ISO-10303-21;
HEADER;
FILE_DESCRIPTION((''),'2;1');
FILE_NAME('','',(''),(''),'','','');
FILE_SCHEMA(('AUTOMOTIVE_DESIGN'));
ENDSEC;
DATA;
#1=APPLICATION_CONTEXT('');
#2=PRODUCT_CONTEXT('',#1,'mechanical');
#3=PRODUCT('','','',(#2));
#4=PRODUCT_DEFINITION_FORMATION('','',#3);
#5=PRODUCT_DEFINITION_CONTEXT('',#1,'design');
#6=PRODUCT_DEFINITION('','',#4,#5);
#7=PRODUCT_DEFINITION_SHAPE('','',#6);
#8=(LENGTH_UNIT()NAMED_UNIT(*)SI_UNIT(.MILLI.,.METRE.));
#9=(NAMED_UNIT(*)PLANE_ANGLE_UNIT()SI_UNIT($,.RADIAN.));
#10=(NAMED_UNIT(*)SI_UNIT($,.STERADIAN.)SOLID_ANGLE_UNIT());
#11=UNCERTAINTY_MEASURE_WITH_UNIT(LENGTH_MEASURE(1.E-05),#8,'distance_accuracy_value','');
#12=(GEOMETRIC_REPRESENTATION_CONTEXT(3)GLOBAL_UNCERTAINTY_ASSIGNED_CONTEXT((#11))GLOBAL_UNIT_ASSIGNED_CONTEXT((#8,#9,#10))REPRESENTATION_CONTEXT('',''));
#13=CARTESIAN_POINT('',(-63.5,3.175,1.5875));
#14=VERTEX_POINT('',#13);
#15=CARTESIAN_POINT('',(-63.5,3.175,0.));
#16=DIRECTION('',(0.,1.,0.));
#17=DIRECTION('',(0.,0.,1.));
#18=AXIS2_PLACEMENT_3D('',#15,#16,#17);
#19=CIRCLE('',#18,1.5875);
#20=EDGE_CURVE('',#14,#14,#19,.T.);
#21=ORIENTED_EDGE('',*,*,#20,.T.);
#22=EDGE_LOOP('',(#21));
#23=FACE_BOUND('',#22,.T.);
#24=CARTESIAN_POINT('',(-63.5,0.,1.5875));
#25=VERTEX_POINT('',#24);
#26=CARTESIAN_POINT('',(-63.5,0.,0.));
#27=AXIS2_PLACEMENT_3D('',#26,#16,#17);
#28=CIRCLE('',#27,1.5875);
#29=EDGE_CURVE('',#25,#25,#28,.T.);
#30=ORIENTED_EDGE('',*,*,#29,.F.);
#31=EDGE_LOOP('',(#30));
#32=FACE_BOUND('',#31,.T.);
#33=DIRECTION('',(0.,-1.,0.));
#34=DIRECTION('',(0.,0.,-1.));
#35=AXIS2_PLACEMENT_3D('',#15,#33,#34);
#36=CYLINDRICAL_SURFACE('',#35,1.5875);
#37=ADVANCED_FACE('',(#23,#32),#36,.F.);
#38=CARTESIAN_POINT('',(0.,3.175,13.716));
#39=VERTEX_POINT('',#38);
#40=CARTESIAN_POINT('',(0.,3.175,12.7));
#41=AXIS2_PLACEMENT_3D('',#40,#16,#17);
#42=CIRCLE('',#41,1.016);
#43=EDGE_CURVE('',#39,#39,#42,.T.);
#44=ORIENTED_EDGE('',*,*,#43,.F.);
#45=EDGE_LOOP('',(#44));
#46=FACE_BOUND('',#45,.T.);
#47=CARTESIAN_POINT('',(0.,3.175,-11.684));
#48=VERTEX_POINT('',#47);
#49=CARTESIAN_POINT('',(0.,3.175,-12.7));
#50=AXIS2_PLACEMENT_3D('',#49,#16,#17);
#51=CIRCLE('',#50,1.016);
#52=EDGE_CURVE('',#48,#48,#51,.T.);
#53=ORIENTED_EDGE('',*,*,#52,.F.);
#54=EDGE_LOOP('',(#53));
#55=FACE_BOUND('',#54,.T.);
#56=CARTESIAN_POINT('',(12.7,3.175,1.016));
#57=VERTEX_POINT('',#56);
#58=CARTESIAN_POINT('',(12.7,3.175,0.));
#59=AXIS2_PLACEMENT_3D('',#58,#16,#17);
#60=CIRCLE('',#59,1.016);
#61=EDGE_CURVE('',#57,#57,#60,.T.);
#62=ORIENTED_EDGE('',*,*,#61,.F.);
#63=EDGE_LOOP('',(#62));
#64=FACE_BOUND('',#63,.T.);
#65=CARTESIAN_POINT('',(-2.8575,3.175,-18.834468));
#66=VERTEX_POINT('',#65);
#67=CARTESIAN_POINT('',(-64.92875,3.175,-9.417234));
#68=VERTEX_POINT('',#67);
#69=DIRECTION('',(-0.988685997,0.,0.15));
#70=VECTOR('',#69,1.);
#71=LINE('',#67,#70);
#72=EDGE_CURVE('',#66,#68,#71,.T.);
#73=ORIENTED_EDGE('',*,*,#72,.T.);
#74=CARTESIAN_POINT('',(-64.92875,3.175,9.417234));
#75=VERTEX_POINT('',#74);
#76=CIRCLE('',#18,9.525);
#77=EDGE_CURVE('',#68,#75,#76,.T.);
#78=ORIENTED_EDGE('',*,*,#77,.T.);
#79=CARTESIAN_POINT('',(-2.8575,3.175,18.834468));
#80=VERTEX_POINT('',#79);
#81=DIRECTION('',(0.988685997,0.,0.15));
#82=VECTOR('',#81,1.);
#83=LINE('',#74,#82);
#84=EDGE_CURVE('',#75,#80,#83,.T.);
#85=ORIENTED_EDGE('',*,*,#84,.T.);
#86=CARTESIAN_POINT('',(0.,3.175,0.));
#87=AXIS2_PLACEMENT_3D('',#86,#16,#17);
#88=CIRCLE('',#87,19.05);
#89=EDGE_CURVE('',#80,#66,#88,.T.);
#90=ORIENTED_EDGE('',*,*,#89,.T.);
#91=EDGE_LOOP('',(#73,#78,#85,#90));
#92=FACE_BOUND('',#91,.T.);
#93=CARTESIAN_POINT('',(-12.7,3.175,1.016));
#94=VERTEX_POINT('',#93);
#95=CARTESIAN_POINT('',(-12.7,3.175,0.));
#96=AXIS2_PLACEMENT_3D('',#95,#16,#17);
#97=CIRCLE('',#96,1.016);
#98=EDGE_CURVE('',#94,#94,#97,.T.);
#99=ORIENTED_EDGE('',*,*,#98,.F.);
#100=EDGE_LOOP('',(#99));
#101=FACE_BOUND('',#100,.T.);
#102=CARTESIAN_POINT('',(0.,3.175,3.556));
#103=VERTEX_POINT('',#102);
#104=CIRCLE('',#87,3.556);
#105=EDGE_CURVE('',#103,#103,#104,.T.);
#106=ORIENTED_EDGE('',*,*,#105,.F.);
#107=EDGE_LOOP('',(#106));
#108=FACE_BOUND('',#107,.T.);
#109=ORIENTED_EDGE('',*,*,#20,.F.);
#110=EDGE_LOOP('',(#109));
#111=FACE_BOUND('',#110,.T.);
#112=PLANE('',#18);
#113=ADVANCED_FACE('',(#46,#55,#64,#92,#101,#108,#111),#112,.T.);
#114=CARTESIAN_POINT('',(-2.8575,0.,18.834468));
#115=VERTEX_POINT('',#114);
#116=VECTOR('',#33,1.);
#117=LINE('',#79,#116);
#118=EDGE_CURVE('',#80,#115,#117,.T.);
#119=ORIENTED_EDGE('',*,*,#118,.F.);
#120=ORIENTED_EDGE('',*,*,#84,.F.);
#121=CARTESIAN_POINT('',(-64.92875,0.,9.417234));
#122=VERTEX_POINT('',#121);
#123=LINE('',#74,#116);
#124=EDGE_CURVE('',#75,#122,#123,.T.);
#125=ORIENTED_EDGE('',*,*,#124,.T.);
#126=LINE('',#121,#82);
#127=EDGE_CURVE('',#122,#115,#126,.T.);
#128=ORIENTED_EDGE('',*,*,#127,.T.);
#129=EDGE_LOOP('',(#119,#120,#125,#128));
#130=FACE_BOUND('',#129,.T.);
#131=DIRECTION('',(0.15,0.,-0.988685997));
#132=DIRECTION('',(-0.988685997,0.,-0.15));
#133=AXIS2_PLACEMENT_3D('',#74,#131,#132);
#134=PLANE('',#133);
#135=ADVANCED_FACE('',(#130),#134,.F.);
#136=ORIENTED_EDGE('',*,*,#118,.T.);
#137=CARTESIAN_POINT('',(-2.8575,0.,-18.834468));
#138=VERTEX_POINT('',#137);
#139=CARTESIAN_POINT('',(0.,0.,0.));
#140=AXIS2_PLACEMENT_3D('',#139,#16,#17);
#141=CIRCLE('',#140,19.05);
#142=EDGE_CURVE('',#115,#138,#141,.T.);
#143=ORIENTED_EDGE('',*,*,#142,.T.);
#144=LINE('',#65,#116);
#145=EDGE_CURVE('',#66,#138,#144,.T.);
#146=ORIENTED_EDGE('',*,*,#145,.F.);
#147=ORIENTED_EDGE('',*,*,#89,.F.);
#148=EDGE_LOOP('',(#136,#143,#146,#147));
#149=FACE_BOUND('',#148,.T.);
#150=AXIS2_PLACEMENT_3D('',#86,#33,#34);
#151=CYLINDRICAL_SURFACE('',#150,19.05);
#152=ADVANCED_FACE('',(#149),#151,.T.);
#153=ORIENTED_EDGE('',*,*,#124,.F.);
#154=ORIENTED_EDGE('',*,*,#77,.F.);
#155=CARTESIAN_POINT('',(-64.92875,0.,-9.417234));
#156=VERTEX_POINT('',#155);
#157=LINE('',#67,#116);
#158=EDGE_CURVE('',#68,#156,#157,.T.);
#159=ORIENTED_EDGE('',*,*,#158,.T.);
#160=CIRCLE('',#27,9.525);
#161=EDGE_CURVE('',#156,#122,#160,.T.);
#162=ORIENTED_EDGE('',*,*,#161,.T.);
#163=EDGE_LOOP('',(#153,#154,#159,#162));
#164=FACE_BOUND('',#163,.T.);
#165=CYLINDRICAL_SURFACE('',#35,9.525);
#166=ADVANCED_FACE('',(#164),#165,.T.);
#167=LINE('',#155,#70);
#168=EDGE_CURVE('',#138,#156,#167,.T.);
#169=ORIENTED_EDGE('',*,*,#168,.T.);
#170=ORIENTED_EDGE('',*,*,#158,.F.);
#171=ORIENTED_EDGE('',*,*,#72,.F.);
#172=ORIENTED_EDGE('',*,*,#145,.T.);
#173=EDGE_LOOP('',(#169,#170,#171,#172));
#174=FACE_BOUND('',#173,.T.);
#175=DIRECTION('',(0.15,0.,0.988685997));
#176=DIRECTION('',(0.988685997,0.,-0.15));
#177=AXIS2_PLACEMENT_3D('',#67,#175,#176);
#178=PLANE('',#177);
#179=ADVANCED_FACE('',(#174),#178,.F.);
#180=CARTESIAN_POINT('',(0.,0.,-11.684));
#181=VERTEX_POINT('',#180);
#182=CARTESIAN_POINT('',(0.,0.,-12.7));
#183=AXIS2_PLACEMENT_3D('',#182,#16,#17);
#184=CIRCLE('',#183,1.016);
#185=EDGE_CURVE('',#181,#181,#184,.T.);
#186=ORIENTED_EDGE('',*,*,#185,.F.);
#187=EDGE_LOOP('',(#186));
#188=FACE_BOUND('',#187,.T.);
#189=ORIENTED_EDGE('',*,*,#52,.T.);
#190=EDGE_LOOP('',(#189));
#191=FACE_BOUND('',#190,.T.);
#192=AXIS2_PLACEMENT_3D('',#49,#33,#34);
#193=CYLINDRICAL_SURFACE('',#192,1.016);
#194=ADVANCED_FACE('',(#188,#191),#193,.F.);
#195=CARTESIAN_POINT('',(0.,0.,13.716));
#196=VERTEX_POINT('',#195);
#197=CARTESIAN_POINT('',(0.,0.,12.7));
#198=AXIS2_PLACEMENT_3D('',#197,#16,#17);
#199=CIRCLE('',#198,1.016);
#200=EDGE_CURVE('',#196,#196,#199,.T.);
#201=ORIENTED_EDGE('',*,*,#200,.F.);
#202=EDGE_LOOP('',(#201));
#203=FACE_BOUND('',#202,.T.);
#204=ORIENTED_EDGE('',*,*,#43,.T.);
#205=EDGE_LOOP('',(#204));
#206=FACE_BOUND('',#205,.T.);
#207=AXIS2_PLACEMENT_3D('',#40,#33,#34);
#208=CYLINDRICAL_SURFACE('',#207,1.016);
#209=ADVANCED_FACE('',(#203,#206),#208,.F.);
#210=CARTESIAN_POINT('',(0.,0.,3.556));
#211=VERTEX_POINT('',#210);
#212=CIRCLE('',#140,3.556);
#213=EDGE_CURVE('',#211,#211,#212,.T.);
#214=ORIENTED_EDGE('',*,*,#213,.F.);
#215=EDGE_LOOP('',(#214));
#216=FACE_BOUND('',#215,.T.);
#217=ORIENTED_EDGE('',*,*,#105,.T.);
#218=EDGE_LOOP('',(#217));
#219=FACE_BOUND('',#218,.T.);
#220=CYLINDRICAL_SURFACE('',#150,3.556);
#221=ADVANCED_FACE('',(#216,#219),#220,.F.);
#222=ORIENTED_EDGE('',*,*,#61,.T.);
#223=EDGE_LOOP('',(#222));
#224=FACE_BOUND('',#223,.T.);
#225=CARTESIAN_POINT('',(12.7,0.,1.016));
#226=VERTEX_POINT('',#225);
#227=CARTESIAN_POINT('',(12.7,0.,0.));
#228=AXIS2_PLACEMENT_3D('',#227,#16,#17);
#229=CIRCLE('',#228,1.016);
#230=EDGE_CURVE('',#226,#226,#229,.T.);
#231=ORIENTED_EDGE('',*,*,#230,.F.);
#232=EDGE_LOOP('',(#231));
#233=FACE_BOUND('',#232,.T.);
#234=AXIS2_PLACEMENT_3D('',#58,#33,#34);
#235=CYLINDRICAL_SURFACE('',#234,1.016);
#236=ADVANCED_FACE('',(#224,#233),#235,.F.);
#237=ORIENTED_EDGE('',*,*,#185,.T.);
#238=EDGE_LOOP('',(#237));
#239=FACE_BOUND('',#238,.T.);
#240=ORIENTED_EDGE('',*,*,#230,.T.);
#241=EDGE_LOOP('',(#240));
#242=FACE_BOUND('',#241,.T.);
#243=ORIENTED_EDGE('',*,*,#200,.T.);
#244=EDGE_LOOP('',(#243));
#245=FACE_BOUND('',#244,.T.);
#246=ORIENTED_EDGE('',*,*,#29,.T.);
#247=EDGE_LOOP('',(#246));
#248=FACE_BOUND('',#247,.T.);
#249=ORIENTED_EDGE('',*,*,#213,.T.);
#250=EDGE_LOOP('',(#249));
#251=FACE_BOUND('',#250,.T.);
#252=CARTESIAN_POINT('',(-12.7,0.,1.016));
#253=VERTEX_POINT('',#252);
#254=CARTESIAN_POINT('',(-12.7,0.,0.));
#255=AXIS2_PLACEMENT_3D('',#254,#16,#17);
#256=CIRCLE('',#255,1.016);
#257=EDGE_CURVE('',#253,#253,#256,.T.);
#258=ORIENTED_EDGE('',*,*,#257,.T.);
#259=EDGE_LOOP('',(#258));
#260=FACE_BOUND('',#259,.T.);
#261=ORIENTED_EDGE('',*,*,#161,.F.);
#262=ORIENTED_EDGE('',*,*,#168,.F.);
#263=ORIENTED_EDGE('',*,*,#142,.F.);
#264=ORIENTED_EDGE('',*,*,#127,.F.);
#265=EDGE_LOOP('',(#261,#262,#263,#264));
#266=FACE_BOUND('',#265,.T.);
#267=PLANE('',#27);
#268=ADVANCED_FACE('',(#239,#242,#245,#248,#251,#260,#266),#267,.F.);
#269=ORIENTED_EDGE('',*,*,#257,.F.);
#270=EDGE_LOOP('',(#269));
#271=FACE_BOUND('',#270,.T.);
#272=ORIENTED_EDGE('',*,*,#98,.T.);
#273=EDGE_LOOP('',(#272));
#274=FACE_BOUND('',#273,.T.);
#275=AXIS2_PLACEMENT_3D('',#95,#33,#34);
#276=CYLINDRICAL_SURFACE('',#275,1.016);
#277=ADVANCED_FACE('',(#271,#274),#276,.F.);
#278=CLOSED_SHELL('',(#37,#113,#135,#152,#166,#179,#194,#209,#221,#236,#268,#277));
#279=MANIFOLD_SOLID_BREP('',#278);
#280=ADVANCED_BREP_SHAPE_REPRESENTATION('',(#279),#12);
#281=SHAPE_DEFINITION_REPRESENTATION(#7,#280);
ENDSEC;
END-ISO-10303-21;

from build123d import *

# Parameters (mm, degrees)
SKETCH1_R           = 1.5875
SKETCH1_R_2         = 3.556
SKETCH1_R_3         = 1.016
BOSS_EXTRUDE1_DEPTH = 3.175


with BuildPart() as part:
    # Sketch1 → Boss-Extrude1 (new body)
    with BuildSketch(Plane(origin=(0, 0, 0), x_dir=(1, 0, 0), z_dir=(0, 1, 0))):
        with BuildLine():
            Line((-64.92875, 9.417234118), (-2.8575, 18.834468236))
            ThreePointArc((-2.8575, 18.834468236), (19.05, 0), (-2.8575, -18.834468236))
            Line((-2.8575, -18.834468236), (-64.92875, -9.417234118))
            ThreePointArc((-64.92875, -9.417234118), (-73.025, 0), (-64.92875, 9.417234118))
        make_face()
        with Locations((-63.5, 0)):
            Circle(SKETCH1_R, mode=Mode.SUBTRACT)
        Circle(SKETCH1_R_2, mode=Mode.SUBTRACT)
        with Locations((0, 12.7)):
            Circle(SKETCH1_R_3, mode=Mode.SUBTRACT)
        with Locations((12.7, 0)):
            Circle(SKETCH1_R_3, mode=Mode.SUBTRACT)
        with Locations((0, -12.7)):
            Circle(SKETCH1_R_3, mode=Mode.SUBTRACT)
        with Locations((-12.7, 0)):
            Circle(SKETCH1_R_3, mode=Mode.SUBTRACT)
    extrude(amount=BOSS_EXTRUDE1_DEPTH)


solid = part.part
